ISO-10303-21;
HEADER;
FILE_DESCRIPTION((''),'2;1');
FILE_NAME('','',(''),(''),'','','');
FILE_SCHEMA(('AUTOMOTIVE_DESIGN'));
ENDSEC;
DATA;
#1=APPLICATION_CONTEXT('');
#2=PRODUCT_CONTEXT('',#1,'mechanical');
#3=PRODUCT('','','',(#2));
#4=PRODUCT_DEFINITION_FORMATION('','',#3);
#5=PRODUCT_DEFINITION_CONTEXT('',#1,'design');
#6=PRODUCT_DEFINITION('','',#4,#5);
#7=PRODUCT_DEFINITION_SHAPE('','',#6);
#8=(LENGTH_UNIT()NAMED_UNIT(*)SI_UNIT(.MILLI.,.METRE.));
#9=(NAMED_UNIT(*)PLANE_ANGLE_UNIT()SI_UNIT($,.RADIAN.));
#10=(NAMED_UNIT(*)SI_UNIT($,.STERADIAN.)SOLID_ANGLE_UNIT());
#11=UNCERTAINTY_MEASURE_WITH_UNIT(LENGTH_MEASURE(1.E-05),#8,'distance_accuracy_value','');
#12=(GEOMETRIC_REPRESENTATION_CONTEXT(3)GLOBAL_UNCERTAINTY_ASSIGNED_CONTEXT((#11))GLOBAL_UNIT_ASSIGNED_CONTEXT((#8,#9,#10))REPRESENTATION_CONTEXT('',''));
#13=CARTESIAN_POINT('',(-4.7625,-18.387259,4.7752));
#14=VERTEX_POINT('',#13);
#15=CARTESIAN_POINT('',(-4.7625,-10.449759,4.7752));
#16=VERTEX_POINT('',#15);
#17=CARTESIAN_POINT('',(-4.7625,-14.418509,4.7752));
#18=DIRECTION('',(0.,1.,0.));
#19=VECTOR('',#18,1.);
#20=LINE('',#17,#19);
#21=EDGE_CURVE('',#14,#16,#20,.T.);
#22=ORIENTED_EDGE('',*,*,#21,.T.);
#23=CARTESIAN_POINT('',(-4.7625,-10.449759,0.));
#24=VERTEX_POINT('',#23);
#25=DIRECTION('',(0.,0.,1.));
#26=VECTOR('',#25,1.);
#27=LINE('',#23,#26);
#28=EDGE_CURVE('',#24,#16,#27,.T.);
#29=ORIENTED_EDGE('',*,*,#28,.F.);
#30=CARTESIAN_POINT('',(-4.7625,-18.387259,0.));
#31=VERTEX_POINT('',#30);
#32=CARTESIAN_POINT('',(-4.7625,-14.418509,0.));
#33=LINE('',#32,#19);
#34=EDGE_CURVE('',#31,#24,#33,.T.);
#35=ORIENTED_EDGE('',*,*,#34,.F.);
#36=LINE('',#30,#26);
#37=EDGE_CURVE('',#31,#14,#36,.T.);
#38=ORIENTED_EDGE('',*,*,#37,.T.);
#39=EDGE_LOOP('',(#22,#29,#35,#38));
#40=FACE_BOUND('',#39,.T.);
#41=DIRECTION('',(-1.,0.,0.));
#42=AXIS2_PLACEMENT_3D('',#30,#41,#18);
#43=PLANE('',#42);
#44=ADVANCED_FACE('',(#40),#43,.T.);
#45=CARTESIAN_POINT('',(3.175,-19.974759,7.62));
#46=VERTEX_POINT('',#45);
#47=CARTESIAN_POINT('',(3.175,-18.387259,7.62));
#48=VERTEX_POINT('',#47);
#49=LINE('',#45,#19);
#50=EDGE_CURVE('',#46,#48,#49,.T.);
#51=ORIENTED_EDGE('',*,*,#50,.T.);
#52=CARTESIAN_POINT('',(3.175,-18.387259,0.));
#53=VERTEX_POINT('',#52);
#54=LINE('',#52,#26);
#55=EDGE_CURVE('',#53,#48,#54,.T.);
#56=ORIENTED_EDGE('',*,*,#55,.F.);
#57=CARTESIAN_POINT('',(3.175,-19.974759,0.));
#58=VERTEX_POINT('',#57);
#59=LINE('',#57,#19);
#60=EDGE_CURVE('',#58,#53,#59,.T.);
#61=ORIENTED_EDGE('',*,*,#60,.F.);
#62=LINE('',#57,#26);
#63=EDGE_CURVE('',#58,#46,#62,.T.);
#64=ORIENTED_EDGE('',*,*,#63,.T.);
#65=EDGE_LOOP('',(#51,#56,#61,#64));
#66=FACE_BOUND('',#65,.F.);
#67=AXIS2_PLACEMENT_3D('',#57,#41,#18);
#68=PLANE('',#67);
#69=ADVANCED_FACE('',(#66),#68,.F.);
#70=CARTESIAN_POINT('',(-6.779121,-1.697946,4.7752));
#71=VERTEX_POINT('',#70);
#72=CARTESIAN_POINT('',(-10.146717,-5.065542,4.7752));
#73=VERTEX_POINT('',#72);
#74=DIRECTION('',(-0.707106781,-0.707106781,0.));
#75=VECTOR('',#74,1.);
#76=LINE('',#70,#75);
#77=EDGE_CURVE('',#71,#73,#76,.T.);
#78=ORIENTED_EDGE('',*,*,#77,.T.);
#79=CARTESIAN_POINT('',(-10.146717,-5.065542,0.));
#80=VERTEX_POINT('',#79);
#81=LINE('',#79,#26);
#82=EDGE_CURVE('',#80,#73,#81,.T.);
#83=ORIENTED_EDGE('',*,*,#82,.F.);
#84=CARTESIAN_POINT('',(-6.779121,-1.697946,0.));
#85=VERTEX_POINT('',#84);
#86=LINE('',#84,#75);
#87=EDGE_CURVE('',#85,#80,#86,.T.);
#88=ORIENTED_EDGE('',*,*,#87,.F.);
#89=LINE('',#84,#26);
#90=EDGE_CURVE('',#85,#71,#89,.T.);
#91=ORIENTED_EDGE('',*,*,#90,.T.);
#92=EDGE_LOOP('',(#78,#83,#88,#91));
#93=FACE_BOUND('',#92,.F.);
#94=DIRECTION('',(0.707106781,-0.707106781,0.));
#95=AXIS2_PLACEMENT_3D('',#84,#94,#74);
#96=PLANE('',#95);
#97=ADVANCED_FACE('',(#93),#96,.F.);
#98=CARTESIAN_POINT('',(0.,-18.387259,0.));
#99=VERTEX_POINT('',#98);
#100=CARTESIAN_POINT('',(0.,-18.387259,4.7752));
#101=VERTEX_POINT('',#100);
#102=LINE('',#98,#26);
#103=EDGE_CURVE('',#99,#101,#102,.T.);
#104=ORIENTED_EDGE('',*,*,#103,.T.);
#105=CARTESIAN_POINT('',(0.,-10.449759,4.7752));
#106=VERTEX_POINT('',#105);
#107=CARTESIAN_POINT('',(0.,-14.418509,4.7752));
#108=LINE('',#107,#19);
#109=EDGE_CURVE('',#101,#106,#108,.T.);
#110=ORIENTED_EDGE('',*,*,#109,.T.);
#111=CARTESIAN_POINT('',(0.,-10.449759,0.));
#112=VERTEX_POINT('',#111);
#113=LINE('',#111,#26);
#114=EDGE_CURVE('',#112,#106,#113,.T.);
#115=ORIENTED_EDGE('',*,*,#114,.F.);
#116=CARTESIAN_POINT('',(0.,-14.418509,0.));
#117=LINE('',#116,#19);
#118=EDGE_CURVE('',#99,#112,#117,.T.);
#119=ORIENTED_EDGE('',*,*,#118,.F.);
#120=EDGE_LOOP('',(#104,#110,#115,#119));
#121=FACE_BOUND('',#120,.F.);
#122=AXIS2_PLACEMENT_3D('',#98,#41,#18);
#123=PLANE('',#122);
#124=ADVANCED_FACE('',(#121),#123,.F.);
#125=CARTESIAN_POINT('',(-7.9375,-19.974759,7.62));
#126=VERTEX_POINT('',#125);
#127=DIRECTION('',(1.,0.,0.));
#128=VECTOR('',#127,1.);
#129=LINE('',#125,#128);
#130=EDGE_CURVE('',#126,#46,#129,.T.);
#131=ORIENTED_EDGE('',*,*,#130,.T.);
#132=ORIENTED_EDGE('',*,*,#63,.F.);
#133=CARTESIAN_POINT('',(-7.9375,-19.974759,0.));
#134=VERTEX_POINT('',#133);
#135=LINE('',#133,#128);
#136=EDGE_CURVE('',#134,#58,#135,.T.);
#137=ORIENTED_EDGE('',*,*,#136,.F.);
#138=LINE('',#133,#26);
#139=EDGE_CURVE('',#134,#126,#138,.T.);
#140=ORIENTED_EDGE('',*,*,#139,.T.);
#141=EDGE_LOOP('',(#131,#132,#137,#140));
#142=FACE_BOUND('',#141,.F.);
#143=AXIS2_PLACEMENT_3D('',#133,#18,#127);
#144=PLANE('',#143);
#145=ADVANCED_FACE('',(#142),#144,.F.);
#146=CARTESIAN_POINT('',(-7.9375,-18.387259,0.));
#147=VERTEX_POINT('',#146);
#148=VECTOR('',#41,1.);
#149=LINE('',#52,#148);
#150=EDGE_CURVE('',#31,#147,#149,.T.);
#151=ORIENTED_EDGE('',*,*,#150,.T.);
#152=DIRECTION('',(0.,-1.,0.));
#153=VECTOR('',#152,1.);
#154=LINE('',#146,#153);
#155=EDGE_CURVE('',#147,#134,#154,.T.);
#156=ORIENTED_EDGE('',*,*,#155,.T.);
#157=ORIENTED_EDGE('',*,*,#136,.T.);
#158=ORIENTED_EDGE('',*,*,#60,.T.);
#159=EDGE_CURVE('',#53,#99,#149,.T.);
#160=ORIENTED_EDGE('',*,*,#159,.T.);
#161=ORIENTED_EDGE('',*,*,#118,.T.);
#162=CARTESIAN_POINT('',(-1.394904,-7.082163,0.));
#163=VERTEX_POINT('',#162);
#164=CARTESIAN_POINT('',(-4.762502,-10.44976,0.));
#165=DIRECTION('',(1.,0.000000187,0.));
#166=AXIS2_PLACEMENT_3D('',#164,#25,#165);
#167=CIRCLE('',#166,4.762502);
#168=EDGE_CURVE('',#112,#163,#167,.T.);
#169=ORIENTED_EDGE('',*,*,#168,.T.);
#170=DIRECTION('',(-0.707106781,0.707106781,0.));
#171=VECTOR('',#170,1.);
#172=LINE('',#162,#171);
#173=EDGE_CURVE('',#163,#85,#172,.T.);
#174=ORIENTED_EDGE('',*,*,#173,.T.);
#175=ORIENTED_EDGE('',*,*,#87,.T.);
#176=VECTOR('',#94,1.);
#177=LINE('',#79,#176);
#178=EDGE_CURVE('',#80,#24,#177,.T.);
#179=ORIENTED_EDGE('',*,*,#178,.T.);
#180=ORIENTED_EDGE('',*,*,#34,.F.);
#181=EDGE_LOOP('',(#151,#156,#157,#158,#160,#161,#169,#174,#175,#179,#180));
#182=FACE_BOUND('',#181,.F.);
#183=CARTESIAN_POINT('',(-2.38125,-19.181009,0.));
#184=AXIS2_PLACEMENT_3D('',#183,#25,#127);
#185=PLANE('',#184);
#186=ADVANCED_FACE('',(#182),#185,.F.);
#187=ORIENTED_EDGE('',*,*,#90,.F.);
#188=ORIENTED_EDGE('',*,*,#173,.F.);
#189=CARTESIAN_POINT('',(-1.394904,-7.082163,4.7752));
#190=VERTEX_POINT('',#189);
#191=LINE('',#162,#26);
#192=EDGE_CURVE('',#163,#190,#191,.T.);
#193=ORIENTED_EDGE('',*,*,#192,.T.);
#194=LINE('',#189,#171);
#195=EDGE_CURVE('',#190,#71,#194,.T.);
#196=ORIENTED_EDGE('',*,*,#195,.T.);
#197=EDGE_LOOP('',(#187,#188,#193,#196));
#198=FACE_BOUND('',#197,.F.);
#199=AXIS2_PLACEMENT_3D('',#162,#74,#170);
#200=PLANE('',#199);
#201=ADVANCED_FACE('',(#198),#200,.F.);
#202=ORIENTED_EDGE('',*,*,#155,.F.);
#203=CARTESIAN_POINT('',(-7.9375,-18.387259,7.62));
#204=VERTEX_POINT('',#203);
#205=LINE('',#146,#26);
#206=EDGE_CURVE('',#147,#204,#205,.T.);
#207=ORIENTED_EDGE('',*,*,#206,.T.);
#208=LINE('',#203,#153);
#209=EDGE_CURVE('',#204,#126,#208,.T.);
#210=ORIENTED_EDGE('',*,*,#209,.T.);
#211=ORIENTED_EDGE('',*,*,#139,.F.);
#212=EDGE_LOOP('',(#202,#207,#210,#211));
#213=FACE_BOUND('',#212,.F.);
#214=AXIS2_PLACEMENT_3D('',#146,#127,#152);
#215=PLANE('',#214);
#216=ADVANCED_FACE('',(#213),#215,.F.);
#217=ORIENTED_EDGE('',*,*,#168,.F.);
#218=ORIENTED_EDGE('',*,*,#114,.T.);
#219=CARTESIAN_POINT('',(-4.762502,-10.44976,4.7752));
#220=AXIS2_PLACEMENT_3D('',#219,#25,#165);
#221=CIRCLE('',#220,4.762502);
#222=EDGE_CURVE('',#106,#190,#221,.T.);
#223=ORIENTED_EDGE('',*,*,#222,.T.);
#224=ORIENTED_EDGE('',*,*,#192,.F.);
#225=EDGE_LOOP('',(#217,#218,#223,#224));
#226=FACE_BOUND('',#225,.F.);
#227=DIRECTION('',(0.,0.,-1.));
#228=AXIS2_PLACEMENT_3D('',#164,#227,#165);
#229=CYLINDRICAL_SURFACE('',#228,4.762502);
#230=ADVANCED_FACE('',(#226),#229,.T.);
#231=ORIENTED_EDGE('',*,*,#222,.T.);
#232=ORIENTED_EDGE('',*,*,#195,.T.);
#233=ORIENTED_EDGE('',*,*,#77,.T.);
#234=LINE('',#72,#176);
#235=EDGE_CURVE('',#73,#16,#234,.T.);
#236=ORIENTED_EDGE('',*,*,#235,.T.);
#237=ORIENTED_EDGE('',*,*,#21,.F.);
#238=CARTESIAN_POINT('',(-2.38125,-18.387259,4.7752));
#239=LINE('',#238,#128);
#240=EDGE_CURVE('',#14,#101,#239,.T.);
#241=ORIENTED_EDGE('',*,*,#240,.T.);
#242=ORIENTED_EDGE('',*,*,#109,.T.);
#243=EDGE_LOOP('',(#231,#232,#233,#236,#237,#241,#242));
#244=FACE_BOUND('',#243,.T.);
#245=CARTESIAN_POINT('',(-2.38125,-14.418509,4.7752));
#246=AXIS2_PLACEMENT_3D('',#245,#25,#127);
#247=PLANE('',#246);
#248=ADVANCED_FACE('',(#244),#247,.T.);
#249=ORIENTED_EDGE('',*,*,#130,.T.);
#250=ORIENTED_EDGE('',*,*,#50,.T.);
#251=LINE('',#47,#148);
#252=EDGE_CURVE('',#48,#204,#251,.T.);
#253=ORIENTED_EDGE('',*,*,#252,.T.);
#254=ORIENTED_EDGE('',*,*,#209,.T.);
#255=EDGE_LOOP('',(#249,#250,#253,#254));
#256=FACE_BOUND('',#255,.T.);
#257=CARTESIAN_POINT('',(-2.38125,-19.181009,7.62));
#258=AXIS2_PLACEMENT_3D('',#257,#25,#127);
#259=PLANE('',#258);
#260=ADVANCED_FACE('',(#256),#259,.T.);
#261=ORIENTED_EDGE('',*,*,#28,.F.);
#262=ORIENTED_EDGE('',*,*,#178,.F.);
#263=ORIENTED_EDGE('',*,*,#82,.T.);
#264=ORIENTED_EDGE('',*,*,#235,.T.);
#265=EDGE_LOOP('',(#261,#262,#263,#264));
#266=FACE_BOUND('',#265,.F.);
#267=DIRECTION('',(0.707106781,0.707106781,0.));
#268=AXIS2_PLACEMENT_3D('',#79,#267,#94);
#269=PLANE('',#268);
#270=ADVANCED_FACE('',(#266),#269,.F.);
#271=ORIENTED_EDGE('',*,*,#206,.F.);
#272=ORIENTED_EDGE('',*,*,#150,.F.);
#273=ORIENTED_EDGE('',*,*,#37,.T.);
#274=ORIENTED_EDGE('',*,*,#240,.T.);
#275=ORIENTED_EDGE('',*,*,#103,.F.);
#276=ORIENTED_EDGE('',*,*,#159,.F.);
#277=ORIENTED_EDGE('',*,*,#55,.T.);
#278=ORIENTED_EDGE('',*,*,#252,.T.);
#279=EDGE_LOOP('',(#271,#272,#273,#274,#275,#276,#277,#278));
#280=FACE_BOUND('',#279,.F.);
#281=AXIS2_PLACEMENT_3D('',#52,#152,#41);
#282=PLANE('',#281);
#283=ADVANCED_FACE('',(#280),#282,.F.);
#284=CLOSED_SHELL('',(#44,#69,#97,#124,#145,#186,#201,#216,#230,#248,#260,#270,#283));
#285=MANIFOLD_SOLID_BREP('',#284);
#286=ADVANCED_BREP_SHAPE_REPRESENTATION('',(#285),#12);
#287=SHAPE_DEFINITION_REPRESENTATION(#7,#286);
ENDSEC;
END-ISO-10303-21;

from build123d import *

# Parameters (mm, degrees)
F1_DEPTH = 7.62
F0_W     = 4.7625
F0_H     = 7.9375
F2_DEPTH = 4.7752
F3_DEPTH = 3.175


with BuildPart() as f1:
    # F0 (on Top) → F1 (new body)
    with BuildSketch(Plane.XY):
        Polygon((0, -18.387259), (-4.7625, -18.387259), (-7.9375, -18.387259), (-7.9375, -19.974759), (3.175, -19.974759), (3.175, -18.387259), align=None)
    extrude(amount=F1_DEPTH)

    # F0 (on Top) → F2 (join)
    with BuildSketch(Plane.XY):
        with Locations((-2.38125, -14.418509)):
            Rectangle(F0_W, F0_H)
        with BuildLine():
            Line((-1.394904, -7.082163), (-4.7625, -10.449759))
            Line((-4.7625, -10.449759), (0, -10.449759))
            ThreePointArc((0, -10.449759), (-0.362524, -8.627229), (-1.394904, -7.082163))
        make_face()
        Polygon((-10.146717, -5.065542), (-4.7625, -10.449759), (-1.394904, -7.082163), (-6.779121, -1.697946), align=None)
    extrude(amount=F2_DEPTH)


with BuildPart() as f3:
    # F0 (on Top) → F3 (new body)
    with BuildSketch(Plane.XY):
        Polygon((30.061543, 3.299114), (11.011543, 3.299114), (11.011543, -22.100886), (49.111543, -22.100886), (49.111543, 3.299114), align=None)
        Polygon((27.521543, -6.860886), (30.061543, -6.860886), (32.601543, -6.860886), (32.601543, -11.940886), (27.521543, -11.940886), align=None, mode=Mode.SUBTRACT)
    extrude(amount=F3_DEPTH)


solid = f1.part
